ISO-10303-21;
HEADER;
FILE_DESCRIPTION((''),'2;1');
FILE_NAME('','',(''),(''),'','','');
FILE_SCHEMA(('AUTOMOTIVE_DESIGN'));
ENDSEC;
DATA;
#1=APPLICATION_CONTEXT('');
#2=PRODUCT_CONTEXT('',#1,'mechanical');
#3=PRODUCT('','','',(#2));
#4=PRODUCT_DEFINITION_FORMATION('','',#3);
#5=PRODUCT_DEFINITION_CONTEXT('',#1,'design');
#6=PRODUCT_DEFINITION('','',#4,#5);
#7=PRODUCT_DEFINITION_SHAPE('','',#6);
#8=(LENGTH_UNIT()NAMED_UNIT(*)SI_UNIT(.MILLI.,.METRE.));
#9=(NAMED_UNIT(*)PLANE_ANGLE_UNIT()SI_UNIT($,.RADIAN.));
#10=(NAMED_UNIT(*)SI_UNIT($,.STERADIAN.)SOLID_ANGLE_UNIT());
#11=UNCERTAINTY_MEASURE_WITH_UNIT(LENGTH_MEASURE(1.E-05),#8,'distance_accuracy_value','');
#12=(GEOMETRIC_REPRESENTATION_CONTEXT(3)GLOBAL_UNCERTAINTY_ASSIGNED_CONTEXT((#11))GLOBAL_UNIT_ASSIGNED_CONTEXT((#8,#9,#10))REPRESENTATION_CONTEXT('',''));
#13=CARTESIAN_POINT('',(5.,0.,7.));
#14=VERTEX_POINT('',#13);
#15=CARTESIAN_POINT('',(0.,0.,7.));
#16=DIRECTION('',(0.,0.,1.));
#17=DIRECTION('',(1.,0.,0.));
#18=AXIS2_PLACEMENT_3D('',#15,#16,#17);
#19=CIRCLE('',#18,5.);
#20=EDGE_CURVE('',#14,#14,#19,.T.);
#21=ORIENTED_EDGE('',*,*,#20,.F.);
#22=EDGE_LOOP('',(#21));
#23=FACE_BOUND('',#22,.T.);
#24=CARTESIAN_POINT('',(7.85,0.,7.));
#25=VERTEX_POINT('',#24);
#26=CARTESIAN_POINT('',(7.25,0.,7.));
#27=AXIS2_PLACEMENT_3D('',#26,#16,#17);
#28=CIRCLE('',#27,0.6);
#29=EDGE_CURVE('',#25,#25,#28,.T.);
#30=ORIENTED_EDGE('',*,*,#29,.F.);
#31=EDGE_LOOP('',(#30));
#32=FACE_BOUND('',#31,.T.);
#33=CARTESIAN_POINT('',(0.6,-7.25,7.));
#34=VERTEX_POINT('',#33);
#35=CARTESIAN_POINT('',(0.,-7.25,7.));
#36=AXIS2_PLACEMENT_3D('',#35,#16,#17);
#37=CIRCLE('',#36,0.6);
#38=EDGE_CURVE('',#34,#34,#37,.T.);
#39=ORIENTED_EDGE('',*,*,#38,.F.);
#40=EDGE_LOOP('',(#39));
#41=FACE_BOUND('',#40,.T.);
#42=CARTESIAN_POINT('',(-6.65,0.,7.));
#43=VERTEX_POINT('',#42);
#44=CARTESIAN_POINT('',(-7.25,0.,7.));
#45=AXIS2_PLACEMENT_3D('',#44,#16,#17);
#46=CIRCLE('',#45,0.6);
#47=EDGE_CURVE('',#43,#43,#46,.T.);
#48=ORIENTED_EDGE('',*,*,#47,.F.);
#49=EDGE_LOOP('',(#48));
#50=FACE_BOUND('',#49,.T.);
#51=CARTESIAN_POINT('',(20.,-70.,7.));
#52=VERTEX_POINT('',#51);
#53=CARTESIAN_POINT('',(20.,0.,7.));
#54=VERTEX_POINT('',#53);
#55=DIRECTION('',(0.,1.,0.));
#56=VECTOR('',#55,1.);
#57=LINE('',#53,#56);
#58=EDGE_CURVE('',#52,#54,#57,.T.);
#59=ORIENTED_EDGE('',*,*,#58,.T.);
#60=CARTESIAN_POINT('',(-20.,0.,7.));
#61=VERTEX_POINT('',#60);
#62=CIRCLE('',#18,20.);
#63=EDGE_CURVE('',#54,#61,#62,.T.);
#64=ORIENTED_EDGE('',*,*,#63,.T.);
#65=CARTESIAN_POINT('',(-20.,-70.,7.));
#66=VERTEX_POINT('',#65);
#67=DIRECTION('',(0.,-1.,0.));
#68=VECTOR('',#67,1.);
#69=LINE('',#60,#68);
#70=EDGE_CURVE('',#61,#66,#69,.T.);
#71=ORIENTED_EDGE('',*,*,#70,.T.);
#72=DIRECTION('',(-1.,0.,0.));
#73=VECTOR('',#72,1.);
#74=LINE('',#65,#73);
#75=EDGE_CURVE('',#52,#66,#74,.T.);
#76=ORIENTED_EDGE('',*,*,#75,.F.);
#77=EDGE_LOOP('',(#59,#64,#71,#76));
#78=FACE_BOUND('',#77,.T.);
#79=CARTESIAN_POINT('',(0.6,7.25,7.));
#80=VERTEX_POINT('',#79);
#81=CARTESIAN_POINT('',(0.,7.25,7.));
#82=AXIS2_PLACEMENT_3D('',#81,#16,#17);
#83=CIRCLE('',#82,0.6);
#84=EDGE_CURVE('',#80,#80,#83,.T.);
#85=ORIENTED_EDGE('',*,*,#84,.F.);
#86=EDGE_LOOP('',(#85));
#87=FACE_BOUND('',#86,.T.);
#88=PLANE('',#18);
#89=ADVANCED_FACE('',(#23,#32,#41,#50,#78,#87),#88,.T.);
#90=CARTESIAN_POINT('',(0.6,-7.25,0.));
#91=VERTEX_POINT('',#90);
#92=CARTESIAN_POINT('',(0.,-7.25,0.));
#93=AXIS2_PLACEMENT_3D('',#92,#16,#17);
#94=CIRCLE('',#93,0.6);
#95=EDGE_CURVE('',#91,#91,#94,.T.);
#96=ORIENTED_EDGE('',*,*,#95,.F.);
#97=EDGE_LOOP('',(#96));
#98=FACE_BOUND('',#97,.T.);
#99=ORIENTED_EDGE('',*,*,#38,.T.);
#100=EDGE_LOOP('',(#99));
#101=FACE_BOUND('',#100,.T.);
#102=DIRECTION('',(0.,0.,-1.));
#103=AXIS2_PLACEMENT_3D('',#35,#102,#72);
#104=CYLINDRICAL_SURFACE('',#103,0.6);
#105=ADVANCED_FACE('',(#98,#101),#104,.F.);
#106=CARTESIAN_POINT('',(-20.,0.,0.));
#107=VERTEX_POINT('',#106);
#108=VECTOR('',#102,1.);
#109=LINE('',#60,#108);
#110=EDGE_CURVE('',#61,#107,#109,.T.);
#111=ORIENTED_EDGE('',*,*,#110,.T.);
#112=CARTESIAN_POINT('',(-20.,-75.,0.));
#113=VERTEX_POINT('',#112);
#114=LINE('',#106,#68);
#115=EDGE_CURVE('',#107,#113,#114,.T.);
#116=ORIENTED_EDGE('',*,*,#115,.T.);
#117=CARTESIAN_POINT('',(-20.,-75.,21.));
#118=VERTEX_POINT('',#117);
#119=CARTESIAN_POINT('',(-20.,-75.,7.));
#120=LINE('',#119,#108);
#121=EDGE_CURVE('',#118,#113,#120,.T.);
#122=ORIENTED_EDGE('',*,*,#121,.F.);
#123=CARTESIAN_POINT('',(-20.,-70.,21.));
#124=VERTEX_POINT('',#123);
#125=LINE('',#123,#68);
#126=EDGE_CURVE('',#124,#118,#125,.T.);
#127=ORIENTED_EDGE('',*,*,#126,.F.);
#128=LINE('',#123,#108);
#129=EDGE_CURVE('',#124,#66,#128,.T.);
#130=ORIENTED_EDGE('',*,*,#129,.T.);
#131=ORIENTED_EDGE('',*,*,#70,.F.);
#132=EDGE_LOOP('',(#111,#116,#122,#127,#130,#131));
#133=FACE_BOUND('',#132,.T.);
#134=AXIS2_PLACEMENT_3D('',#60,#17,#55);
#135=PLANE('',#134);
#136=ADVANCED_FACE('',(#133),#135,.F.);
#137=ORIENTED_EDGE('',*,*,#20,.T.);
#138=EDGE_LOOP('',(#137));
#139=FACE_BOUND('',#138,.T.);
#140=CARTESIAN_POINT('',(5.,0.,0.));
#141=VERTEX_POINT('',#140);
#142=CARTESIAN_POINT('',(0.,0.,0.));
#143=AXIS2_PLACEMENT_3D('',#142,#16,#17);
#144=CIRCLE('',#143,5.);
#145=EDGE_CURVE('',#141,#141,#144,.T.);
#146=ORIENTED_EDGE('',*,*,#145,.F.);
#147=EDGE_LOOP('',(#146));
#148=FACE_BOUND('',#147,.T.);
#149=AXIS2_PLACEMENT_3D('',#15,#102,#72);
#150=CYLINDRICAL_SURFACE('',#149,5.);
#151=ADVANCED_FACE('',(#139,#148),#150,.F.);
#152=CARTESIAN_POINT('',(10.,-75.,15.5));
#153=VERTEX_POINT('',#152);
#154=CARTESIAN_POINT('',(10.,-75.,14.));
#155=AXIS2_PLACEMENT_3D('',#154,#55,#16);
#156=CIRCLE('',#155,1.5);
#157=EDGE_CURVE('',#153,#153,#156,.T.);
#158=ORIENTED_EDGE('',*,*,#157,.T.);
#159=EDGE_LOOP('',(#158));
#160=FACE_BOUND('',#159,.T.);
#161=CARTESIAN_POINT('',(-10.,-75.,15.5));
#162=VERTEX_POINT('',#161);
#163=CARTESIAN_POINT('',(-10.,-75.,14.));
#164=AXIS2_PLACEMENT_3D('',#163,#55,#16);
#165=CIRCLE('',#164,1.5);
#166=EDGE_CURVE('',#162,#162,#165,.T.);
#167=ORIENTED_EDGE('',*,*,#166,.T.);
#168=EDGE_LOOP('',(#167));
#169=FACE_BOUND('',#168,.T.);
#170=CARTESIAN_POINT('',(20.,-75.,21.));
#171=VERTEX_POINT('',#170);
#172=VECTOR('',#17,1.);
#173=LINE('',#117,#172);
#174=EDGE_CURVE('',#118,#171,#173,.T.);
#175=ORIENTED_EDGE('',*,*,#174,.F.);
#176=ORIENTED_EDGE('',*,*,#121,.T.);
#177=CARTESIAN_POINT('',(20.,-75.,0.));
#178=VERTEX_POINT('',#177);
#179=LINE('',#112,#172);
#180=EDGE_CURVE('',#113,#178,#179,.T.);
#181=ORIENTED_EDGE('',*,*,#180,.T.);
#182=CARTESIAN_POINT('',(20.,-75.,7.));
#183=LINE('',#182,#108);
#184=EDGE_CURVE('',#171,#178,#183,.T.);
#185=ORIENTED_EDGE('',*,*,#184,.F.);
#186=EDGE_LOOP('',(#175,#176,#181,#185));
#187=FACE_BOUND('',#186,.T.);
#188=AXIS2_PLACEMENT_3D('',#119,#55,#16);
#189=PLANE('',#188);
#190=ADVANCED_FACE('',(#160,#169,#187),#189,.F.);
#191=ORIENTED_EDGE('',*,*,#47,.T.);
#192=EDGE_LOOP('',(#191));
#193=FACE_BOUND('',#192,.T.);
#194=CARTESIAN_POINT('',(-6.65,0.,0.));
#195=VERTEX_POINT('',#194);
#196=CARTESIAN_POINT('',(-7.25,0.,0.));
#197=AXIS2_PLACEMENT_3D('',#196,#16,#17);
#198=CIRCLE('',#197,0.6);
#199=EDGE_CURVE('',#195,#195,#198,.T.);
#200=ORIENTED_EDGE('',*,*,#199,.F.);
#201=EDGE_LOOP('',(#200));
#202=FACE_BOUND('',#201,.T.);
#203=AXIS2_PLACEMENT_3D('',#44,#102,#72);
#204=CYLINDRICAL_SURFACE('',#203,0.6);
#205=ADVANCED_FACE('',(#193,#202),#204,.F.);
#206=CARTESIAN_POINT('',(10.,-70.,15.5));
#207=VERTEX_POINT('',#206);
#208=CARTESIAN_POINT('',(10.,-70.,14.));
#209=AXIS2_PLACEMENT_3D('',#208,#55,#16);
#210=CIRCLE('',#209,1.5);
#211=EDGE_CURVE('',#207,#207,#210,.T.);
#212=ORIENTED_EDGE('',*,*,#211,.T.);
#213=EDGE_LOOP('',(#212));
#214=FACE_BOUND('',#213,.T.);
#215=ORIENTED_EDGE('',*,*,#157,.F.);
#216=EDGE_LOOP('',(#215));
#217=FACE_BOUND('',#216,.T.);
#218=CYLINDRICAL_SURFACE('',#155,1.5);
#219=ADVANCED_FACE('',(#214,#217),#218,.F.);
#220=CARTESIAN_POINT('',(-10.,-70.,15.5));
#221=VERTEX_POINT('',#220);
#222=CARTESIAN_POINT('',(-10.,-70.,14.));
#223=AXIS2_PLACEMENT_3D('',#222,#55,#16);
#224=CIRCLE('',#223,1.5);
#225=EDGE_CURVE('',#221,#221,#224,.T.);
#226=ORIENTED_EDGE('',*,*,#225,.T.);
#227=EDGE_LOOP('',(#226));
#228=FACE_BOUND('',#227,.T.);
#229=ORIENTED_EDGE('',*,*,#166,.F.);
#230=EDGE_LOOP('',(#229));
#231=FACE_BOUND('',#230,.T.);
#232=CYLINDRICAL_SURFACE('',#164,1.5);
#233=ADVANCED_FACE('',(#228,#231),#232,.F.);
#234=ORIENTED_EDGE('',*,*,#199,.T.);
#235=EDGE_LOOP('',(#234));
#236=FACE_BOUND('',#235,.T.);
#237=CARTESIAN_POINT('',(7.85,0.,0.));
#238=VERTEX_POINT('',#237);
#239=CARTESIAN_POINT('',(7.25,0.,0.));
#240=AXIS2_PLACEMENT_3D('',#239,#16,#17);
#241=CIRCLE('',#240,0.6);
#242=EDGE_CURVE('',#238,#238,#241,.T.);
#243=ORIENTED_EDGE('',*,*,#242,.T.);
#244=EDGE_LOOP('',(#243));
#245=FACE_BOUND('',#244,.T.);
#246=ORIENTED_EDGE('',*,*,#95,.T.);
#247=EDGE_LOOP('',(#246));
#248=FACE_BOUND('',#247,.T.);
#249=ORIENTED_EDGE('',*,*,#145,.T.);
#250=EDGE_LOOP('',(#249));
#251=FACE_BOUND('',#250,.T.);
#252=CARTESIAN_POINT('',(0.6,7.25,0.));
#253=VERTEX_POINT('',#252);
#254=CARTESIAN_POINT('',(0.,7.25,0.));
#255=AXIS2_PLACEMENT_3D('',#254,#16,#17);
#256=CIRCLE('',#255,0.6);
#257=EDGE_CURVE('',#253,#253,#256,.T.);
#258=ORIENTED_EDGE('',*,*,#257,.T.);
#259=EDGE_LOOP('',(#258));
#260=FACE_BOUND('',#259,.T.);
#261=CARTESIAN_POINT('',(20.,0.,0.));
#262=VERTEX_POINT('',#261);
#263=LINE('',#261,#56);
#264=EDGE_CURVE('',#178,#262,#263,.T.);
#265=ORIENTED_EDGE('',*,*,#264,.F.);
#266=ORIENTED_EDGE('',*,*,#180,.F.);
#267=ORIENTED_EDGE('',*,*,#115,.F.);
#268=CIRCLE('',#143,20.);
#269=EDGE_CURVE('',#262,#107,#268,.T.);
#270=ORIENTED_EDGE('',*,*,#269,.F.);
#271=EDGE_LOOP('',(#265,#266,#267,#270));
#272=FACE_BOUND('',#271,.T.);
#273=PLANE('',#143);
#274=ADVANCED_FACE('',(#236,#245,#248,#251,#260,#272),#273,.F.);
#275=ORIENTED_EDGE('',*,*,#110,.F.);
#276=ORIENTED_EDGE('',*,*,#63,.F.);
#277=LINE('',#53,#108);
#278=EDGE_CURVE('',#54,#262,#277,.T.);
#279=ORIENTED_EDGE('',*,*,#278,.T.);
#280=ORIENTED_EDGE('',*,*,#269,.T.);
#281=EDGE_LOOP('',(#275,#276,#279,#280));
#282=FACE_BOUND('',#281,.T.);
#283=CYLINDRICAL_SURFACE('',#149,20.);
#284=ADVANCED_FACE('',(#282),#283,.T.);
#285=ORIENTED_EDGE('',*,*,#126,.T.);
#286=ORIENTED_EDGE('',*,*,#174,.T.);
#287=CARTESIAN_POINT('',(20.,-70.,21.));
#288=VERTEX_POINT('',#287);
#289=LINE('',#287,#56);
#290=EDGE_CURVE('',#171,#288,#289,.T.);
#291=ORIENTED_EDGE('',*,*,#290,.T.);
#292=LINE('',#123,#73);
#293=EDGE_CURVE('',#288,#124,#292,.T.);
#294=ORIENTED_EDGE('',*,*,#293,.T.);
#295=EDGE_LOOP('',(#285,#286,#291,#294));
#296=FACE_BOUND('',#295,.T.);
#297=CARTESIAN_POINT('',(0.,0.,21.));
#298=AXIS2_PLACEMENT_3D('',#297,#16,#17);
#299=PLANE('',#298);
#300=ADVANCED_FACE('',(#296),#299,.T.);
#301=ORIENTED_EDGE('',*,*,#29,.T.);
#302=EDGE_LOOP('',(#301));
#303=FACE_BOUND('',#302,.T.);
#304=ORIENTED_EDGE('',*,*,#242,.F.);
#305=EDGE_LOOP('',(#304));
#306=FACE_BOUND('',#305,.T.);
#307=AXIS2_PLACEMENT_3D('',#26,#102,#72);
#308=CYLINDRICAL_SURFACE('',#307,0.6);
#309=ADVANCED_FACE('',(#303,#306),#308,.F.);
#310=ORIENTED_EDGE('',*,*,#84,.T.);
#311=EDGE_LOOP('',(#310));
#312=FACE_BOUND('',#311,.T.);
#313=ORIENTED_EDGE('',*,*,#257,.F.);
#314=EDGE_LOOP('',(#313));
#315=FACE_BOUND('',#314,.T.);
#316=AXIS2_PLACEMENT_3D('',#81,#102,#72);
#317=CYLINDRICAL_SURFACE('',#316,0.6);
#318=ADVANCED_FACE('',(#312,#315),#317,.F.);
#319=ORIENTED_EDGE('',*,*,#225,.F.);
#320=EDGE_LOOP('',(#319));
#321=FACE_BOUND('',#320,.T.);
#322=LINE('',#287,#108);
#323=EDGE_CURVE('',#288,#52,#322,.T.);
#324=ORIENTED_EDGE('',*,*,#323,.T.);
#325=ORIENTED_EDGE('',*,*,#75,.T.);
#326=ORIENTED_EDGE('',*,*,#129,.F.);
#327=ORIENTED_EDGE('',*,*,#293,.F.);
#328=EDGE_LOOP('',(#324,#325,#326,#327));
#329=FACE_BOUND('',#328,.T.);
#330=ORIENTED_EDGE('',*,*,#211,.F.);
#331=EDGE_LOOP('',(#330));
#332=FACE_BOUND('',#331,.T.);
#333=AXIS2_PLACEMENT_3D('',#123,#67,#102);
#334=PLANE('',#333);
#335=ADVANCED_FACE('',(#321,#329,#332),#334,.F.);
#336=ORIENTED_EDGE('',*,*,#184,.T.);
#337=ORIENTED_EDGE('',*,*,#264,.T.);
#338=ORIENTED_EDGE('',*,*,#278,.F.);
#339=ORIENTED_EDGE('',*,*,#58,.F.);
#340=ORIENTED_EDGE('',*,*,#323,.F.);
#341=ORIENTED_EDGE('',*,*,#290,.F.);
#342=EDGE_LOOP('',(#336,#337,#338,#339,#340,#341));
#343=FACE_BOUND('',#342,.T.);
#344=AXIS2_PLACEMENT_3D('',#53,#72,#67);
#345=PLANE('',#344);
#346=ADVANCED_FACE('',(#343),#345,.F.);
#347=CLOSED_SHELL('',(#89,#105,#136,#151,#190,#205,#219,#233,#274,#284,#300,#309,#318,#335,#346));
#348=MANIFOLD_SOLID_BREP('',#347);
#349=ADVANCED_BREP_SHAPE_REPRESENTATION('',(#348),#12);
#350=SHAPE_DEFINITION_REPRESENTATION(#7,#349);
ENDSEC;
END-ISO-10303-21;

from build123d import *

# Parameters (mm, degrees)
SKETCH1_R           = 5
SKETCH1_R_2         = 0.6
BOSS_EXTRUDE1_DEPTH = 7
SKETCH2_W           = 40
SKETCH2_H           = 5
BOSS_EXTRUDE2_DEPTH = 14
SKETCH3_R           = 1.5
CUT_EXTRUDE1_DEPTH  = 6


with BuildPart() as part:
    # Sketch1 → Boss-Extrude1 (new body)
    with BuildSketch(Plane.XY):
        with BuildLine():
            Line((20, 0), (20, -75))
            Line((20, -75), (-20, -75))
            Line((-20, -75), (-20, 0))
            ThreePointArc((-20, 0), (0, 20), (20, 0))
        make_face()
        Circle(SKETCH1_R, mode=Mode.SUBTRACT)
        with Locations((0, 7.25)):
            Circle(SKETCH1_R_2, mode=Mode.SUBTRACT)
        with Locations((-7.25, 0)):
            Circle(SKETCH1_R_2, mode=Mode.SUBTRACT)
        with Locations((0, -7.25)):
            Circle(SKETCH1_R_2, mode=Mode.SUBTRACT)
        with Locations((7.25, 0)):
            Circle(SKETCH1_R_2, mode=Mode.SUBTRACT)
    extrude(amount=BOSS_EXTRUDE1_DEPTH)

    # Sketch2 → Boss-Extrude2 (add)
    with BuildSketch(Plane.XY.offset(7)):
        with Locations((0, -72.5)):
            Rectangle(SKETCH2_W, SKETCH2_H)
    extrude(amount=BOSS_EXTRUDE2_DEPTH)

    # Sketch3 → Cut-Extrude1 (cut, through all)
    with BuildSketch(Plane(origin=(0, -70, 0), x_dir=(1, 0, 0), z_dir=(0, 1, 0))):
        with Locations((-10, -14)):
            Circle(SKETCH3_R)
        with Locations((10, -14)):
            Circle(SKETCH3_R)
    extrude(amount=-CUT_EXTRUDE1_DEPTH, mode=Mode.SUBTRACT)


solid = part.part
